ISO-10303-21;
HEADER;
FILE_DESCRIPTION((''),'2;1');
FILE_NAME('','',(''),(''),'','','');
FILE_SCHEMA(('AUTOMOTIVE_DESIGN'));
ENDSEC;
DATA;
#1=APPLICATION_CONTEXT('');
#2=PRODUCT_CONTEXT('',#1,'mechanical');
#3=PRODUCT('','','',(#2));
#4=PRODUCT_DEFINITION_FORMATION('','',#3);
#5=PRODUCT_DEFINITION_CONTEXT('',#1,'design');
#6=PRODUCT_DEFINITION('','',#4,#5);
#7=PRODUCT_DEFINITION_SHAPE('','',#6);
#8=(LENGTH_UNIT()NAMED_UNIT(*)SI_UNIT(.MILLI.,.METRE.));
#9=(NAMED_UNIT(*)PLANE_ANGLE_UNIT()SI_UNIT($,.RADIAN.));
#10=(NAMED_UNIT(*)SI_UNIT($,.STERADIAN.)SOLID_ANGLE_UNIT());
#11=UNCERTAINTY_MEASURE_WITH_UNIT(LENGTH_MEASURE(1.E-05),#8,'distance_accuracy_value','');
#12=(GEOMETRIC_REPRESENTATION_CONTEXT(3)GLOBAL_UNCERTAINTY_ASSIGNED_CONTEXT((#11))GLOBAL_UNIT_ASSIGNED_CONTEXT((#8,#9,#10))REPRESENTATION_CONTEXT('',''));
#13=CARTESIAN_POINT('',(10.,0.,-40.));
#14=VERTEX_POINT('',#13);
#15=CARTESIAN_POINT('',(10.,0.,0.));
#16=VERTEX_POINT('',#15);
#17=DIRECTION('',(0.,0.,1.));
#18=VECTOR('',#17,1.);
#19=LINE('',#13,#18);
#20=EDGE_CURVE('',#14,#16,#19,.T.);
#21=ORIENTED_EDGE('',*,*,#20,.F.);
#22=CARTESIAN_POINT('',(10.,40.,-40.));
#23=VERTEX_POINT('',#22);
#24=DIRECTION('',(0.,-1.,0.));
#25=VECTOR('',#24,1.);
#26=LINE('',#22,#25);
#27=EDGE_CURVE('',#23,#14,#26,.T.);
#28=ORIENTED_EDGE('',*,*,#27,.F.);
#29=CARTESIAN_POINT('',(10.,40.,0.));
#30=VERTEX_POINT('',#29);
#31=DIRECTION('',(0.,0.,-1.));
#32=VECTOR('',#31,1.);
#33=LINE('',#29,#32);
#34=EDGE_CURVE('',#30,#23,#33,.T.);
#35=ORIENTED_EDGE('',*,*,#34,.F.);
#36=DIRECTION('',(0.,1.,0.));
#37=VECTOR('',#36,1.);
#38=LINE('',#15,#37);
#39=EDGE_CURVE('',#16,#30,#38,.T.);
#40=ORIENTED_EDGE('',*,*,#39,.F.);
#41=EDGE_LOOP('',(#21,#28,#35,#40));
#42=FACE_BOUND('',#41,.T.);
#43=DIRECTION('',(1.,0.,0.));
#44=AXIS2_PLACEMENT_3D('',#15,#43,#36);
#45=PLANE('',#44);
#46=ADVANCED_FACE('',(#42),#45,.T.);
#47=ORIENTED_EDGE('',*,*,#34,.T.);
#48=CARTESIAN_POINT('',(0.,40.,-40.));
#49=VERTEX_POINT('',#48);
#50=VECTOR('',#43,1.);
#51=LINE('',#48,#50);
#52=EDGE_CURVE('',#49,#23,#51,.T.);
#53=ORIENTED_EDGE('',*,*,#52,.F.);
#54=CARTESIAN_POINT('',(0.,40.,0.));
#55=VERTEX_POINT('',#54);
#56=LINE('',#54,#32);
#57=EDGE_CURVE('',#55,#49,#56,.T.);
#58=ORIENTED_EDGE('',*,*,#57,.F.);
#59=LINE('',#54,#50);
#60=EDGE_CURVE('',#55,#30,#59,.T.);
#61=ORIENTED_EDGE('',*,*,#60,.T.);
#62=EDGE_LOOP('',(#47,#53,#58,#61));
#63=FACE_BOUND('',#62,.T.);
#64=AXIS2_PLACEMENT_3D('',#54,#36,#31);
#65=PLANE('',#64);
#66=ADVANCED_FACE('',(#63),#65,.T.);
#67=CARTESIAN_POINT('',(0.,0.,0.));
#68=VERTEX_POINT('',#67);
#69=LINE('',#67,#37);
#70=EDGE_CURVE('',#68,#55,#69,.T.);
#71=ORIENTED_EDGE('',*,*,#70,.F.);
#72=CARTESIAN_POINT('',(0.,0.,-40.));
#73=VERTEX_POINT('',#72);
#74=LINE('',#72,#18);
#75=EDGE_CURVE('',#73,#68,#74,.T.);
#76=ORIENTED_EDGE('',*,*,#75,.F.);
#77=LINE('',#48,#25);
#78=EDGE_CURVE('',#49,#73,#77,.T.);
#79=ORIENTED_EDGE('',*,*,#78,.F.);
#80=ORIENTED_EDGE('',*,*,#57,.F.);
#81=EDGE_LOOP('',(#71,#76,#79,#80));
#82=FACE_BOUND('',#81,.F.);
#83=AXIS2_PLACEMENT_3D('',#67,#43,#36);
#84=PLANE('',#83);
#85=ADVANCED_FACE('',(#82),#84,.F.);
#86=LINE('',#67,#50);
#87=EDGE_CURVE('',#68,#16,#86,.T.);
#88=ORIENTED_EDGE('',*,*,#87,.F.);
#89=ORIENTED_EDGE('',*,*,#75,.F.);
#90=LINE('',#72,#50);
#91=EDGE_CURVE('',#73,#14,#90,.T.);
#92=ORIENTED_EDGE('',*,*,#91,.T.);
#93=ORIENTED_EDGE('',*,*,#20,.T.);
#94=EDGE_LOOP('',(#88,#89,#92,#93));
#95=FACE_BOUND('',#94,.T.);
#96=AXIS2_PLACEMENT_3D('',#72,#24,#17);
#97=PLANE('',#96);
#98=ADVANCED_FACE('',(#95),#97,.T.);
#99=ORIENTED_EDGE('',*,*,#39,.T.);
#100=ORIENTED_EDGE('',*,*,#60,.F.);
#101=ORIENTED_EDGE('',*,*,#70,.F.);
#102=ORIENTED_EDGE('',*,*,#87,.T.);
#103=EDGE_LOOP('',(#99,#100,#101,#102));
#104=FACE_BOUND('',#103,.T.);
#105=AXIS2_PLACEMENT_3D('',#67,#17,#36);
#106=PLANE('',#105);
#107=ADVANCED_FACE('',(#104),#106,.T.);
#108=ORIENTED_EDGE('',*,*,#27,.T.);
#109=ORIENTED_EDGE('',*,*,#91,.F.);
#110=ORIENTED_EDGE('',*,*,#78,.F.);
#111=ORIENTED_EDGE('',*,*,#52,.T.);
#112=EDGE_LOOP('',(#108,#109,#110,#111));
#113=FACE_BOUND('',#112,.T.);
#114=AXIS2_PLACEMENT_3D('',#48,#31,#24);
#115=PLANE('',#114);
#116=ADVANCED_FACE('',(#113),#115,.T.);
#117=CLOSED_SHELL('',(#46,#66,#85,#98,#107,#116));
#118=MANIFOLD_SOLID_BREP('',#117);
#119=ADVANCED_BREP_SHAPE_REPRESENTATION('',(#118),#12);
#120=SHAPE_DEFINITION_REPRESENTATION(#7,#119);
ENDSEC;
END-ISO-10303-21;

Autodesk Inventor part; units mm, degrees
ref_plane "YZ Plane" through (0, 0, 0) normal (1, 0, 0) x (0, 1, 0)
ref_plane "XZ Plane" through (0, 0, 0) normal (0, 1, 0) x (-1, 0, 0)
ref_plane "XY Plane" through (0, 0, 0) normal (0, 0, 1) x (1, 0, 0)
sketch "Sketch1" plane through (0, 0, 0) normal (1, 0, 0) x (0, 1, 0)
  line L0 (0, 0) -> (40, 0)
  line L1 (40, 0) -> (40, -40)
  line L2 (40, -40) -> (0, -40)
  line L3 (0, -40) -> (0, 0)
  dimension "d0" = 40
  dimension "d1" = 40
extrude "Extrusion1" add sketch "Sketch1" along normal blind 10
equation "\"d0\" = d1"
properties part number "fan"
